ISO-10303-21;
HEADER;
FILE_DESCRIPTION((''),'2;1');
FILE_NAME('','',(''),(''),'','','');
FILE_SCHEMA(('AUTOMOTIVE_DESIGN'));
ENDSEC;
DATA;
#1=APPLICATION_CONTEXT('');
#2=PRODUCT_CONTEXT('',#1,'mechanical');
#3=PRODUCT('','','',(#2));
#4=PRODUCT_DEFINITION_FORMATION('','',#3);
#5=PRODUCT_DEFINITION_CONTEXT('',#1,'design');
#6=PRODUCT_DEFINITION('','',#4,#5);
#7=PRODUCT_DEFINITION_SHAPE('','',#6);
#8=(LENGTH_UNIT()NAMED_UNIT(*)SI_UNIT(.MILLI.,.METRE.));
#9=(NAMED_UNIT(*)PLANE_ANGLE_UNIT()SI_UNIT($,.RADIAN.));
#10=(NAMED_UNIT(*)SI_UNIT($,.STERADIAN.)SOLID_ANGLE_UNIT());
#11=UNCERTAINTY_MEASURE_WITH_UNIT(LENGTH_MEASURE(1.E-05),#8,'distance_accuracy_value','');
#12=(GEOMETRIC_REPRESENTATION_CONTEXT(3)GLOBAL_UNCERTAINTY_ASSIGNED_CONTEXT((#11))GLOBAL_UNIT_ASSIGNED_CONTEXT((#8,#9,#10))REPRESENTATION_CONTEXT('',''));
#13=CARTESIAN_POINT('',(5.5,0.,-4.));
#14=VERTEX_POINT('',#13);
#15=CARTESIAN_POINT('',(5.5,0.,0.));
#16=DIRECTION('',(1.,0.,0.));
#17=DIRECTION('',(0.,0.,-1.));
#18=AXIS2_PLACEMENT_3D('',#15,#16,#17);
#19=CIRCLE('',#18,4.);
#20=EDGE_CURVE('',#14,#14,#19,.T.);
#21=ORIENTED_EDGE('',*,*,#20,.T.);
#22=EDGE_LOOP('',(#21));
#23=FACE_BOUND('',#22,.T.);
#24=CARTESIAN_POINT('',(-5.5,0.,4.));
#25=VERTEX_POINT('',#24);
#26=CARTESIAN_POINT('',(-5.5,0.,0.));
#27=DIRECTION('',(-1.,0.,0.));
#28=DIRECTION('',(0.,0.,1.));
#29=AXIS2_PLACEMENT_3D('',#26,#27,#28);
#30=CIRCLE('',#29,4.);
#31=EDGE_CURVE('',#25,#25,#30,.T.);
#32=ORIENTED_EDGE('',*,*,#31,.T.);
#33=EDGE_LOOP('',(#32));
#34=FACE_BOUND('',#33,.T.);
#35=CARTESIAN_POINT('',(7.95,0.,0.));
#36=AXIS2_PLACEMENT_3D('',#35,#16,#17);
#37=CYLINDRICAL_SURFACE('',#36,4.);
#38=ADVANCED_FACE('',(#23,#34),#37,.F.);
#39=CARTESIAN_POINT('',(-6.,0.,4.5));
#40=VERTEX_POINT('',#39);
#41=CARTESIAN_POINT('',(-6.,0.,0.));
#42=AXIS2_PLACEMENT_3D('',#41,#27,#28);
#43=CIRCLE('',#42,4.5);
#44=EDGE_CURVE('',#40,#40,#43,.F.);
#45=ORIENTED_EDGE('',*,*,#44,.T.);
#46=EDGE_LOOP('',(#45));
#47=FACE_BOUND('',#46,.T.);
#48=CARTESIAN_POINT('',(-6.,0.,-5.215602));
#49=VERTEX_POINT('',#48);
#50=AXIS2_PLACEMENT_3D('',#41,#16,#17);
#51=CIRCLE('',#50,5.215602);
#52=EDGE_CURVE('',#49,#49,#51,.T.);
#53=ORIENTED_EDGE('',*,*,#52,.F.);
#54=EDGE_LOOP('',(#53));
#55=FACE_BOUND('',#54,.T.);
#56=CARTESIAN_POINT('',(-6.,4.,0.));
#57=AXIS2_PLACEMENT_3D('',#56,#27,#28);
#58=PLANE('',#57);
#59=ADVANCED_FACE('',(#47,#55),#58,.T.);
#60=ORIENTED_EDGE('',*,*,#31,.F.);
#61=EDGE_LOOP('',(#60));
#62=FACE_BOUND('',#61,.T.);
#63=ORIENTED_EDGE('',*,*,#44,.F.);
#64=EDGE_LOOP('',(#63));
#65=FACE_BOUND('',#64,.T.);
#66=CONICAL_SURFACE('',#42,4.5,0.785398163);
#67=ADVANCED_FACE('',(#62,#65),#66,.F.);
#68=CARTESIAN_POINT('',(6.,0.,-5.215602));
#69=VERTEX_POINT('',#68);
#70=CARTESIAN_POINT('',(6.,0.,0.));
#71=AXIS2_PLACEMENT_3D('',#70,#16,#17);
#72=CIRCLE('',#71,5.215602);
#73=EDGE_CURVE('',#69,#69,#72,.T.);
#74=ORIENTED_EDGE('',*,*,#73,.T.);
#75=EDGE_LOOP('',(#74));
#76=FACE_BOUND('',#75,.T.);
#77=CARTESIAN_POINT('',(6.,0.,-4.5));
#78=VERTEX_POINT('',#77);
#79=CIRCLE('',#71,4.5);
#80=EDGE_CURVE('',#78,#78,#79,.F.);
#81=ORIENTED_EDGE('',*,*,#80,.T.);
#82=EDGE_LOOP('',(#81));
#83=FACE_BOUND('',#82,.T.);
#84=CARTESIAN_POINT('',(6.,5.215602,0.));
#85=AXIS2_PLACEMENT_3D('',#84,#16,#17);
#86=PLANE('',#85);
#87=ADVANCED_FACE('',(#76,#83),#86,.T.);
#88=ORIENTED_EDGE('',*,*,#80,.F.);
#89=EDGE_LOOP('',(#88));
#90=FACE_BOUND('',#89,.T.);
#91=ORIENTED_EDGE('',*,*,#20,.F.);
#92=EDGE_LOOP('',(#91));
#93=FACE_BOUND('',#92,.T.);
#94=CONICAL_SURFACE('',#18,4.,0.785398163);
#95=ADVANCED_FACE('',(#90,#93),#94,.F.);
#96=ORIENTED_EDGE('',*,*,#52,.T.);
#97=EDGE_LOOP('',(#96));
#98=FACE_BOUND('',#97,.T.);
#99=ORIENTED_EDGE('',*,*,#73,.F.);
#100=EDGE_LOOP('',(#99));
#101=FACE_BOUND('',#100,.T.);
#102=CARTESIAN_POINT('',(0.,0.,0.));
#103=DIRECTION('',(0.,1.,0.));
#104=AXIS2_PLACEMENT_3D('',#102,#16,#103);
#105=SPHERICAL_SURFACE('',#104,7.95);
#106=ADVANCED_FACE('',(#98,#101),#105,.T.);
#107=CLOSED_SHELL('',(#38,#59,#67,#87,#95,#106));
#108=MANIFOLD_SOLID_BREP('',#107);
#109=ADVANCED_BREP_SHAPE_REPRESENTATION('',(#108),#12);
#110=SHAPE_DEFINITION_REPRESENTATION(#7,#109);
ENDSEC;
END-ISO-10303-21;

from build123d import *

# Parameters (mm, degrees)
CHAMFER1_SIZE = 0.5


with BuildPart() as part:
    # Sketch1 → Revolve1 (revolve)
    with BuildSketch(Plane.XY):
        with BuildLine():
            Line((6, 5.215601595), (6, 4))
            Line((6, 4), (-6, 4))
            Line((-6, 4), (-6, 5.215601595))
            ThreePointArc((-6, 5.215601595), (0, 7.95), (6, 5.215601595))
        make_face()
    revolve(axis=Axis((7.95, 0, 0), (-1, 0, 0)))

    # Chamfer1
    chamfer1_edges = [part.edges().sort_by_distance(p)[0] for p in [
        (6, -4, 0),
        (-6, -4, 0),
    ]]
    chamfer(chamfer1_edges, length=CHAMFER1_SIZE)


solid = part.part
